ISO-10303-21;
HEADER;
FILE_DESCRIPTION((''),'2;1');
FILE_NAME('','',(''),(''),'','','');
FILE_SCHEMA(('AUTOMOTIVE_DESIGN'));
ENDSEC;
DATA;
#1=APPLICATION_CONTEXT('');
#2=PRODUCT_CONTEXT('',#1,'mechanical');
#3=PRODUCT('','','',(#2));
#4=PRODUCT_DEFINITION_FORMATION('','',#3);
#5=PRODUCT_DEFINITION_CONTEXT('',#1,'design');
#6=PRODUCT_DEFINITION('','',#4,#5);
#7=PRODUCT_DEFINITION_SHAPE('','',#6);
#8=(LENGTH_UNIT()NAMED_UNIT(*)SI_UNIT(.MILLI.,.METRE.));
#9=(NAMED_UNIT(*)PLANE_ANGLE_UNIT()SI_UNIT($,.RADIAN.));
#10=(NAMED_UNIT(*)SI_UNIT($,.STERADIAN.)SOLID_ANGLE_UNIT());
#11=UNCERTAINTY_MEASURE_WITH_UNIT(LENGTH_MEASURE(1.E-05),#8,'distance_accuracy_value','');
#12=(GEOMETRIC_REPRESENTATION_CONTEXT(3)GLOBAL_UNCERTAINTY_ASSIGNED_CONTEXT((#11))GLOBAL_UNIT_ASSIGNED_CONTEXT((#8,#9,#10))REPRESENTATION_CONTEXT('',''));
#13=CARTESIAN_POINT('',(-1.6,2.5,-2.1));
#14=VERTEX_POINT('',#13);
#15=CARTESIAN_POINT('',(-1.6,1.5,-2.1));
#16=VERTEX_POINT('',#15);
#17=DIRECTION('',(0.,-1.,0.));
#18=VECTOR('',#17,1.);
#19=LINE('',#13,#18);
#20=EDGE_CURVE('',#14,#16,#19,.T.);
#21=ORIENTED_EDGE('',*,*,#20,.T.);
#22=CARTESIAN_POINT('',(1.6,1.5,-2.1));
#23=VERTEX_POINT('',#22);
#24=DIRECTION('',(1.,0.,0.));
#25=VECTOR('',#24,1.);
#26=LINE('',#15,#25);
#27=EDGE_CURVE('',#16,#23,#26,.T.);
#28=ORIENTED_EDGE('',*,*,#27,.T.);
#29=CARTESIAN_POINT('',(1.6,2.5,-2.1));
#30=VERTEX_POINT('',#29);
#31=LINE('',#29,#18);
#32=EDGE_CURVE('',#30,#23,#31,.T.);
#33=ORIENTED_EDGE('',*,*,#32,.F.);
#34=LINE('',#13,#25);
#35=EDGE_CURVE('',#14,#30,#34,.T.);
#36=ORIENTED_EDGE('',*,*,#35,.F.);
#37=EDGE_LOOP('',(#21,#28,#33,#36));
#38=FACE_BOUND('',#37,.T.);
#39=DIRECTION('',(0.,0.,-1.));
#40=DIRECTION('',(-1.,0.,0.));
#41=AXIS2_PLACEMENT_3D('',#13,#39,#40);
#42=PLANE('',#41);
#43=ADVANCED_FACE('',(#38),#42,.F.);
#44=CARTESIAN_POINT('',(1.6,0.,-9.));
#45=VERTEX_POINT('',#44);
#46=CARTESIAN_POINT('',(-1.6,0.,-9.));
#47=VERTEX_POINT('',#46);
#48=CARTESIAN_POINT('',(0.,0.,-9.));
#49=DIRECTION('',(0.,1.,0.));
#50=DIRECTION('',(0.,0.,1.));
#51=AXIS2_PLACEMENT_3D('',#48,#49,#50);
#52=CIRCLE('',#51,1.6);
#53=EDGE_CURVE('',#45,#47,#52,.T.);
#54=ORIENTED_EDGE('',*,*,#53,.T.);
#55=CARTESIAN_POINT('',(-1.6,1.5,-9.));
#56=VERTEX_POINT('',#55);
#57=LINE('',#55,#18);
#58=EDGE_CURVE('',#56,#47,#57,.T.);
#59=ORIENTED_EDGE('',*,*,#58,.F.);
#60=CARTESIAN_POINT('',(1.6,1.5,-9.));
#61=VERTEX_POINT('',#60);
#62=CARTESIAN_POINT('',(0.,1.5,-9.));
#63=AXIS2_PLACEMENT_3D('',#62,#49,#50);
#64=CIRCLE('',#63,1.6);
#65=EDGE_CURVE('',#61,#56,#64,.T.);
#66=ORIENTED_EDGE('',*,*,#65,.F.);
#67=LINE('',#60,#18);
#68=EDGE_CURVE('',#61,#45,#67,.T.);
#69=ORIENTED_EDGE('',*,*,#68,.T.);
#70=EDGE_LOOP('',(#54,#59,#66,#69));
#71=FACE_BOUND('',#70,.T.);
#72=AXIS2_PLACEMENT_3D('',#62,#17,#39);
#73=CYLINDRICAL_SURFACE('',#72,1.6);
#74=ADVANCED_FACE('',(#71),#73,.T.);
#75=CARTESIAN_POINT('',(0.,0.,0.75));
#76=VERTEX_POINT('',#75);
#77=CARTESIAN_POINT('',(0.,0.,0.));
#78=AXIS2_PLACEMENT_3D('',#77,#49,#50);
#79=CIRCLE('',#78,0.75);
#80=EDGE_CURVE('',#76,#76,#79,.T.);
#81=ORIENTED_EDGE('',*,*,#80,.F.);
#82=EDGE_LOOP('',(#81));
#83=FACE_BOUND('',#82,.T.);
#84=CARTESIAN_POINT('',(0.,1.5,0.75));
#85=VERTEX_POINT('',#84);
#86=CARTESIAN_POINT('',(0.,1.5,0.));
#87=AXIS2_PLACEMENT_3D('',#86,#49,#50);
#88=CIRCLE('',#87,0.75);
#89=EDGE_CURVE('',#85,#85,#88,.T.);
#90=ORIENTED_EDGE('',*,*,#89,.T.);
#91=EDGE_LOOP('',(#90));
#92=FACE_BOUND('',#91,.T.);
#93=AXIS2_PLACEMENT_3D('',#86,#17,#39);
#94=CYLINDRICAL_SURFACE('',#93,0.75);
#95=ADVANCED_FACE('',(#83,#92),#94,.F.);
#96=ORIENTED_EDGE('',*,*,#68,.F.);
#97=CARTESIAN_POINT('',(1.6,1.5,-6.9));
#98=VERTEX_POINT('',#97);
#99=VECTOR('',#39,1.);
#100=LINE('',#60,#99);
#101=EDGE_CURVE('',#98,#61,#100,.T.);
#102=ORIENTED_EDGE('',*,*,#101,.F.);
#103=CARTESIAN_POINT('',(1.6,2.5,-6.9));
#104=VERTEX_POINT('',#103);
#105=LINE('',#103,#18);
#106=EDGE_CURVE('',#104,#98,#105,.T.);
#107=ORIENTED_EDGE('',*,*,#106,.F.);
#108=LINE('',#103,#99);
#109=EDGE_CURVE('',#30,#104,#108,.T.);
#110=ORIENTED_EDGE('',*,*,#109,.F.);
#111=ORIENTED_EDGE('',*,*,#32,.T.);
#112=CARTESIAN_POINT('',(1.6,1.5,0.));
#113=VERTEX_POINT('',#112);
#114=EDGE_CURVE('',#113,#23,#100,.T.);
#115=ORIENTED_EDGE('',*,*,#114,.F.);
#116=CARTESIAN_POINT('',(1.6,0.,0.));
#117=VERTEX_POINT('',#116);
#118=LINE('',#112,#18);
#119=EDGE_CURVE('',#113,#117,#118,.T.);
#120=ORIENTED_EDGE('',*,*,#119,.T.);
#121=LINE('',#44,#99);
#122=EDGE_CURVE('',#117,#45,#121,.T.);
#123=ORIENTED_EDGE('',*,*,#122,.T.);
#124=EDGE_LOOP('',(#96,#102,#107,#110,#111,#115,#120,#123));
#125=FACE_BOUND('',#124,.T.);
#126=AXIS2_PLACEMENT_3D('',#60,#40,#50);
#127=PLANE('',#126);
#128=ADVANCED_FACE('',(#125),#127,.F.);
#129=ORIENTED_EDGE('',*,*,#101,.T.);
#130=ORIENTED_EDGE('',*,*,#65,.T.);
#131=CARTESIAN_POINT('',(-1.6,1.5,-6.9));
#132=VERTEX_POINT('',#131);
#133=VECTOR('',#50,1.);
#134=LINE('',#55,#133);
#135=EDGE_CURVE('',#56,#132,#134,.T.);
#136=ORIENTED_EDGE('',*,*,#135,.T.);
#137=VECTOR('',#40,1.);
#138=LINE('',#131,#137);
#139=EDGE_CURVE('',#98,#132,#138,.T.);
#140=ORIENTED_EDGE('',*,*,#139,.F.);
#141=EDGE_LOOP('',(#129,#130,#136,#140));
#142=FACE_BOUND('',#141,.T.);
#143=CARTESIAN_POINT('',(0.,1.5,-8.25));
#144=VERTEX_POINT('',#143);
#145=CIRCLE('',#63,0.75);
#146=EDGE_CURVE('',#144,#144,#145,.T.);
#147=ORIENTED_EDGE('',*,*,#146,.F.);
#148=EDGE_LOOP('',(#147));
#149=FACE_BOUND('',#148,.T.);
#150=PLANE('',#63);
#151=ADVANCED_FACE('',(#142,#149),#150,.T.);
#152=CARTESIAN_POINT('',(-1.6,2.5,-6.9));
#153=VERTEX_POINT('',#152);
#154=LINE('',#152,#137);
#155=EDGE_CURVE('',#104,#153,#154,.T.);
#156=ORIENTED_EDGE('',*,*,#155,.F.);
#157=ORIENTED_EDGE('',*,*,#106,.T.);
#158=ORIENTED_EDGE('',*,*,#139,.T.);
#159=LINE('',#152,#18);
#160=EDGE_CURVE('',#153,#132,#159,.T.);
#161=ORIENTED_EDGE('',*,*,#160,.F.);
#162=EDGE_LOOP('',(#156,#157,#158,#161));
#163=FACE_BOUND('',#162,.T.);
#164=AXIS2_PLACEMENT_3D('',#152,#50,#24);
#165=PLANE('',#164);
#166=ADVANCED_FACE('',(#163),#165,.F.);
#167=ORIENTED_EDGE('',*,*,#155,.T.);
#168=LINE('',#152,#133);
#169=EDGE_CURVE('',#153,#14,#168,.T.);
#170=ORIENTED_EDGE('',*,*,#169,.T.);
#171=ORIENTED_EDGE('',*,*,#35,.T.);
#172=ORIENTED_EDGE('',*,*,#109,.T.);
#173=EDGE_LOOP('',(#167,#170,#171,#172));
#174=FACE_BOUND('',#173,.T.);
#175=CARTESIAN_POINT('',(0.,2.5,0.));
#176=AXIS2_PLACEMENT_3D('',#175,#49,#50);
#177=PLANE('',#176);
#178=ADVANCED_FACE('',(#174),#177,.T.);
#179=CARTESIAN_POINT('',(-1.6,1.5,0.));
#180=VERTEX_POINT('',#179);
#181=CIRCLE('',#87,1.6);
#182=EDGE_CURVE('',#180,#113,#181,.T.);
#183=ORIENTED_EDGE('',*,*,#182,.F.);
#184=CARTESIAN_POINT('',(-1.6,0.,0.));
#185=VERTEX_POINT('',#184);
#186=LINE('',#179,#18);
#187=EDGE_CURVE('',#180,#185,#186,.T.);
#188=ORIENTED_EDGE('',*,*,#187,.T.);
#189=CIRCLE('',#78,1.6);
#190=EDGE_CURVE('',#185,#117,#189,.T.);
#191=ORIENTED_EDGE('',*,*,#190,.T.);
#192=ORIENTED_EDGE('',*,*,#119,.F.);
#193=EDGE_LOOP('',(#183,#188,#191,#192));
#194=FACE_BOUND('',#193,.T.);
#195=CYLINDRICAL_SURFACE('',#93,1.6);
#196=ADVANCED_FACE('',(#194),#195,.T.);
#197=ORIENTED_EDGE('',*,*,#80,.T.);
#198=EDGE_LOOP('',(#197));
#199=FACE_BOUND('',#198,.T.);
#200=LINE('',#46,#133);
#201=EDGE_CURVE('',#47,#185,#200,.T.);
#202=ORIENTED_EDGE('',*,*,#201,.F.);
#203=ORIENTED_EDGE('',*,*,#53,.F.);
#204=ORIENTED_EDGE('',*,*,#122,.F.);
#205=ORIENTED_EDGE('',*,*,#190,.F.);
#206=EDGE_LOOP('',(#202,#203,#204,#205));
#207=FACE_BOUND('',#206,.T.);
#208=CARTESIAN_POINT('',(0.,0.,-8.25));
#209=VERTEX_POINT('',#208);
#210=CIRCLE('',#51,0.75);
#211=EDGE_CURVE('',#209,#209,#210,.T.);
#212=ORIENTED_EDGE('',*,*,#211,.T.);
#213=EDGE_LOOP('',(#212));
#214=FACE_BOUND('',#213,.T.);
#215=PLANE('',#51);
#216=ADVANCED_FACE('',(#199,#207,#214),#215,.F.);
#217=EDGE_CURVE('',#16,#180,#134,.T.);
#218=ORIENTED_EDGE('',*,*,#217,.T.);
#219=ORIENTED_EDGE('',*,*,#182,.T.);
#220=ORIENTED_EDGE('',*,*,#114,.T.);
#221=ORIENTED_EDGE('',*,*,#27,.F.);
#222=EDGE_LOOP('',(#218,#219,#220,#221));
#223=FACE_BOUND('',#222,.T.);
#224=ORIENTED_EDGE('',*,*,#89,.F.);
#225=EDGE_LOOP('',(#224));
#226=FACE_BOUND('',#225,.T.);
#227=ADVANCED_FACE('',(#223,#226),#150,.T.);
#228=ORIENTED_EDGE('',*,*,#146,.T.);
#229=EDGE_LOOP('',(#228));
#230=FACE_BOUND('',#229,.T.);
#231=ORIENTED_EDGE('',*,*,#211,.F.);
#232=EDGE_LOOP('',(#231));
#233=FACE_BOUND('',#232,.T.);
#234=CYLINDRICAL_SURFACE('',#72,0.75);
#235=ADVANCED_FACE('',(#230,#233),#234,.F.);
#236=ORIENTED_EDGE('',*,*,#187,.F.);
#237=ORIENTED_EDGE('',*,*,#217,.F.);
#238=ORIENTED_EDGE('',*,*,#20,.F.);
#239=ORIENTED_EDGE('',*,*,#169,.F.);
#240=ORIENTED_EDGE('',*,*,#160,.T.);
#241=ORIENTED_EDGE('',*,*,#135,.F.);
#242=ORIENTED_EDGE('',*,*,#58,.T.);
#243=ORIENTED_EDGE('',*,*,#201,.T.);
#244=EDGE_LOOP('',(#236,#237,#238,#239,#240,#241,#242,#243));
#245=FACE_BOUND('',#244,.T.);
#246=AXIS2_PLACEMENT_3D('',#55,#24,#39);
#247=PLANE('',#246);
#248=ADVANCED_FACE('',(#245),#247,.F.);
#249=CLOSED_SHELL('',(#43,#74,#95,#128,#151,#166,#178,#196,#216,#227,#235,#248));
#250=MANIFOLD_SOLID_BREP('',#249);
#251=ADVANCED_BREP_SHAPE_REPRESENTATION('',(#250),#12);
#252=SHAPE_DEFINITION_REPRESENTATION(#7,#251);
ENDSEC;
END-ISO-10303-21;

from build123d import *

# Parameters (mm, degrees)
SKETCH1_R           = 0.75
BOSS_EXTRUDE1_DEPTH = 1.5
SKETCH2_W           = 3.2
SKETCH2_H           = 4.8
BOSS_EXTRUDE2_DEPTH = 1


with BuildPart() as part:
    # Sketch1 → Boss-Extrude1 (new body)
    with BuildSketch(Plane(origin=(0, 0, 0), x_dir=(1, 0, 0), z_dir=(0, 1, 0))):
        with BuildLine():
            Line((-1.6, 9), (-1.6, 0))
            ThreePointArc((-1.6, 0), (0, -1.6), (1.6, 0))
            Line((1.6, 0), (1.6, 9))
            ThreePointArc((1.6, 9), (0, 10.6), (-1.6, 9))
        make_face()
        with Locations(Location((0, 9, 0), (0, 0, 270))):
            Circle(SKETCH1_R, mode=Mode.SUBTRACT)
        with Locations(Location((0, 0, 0), (0, 0, 270))):
            Circle(SKETCH1_R, mode=Mode.SUBTRACT)
    extrude(amount=BOSS_EXTRUDE1_DEPTH)

    # Sketch2 → Boss-Extrude2 (add)
    with BuildSketch(Plane(origin=(0, 1.5, 0), x_dir=(1, 0, 0), z_dir=(0, 1, 0))):
        with Locations((0, 4.5)):
            Rectangle(SKETCH2_W, SKETCH2_H)
    extrude(amount=BOSS_EXTRUDE2_DEPTH)


solid = part.part
